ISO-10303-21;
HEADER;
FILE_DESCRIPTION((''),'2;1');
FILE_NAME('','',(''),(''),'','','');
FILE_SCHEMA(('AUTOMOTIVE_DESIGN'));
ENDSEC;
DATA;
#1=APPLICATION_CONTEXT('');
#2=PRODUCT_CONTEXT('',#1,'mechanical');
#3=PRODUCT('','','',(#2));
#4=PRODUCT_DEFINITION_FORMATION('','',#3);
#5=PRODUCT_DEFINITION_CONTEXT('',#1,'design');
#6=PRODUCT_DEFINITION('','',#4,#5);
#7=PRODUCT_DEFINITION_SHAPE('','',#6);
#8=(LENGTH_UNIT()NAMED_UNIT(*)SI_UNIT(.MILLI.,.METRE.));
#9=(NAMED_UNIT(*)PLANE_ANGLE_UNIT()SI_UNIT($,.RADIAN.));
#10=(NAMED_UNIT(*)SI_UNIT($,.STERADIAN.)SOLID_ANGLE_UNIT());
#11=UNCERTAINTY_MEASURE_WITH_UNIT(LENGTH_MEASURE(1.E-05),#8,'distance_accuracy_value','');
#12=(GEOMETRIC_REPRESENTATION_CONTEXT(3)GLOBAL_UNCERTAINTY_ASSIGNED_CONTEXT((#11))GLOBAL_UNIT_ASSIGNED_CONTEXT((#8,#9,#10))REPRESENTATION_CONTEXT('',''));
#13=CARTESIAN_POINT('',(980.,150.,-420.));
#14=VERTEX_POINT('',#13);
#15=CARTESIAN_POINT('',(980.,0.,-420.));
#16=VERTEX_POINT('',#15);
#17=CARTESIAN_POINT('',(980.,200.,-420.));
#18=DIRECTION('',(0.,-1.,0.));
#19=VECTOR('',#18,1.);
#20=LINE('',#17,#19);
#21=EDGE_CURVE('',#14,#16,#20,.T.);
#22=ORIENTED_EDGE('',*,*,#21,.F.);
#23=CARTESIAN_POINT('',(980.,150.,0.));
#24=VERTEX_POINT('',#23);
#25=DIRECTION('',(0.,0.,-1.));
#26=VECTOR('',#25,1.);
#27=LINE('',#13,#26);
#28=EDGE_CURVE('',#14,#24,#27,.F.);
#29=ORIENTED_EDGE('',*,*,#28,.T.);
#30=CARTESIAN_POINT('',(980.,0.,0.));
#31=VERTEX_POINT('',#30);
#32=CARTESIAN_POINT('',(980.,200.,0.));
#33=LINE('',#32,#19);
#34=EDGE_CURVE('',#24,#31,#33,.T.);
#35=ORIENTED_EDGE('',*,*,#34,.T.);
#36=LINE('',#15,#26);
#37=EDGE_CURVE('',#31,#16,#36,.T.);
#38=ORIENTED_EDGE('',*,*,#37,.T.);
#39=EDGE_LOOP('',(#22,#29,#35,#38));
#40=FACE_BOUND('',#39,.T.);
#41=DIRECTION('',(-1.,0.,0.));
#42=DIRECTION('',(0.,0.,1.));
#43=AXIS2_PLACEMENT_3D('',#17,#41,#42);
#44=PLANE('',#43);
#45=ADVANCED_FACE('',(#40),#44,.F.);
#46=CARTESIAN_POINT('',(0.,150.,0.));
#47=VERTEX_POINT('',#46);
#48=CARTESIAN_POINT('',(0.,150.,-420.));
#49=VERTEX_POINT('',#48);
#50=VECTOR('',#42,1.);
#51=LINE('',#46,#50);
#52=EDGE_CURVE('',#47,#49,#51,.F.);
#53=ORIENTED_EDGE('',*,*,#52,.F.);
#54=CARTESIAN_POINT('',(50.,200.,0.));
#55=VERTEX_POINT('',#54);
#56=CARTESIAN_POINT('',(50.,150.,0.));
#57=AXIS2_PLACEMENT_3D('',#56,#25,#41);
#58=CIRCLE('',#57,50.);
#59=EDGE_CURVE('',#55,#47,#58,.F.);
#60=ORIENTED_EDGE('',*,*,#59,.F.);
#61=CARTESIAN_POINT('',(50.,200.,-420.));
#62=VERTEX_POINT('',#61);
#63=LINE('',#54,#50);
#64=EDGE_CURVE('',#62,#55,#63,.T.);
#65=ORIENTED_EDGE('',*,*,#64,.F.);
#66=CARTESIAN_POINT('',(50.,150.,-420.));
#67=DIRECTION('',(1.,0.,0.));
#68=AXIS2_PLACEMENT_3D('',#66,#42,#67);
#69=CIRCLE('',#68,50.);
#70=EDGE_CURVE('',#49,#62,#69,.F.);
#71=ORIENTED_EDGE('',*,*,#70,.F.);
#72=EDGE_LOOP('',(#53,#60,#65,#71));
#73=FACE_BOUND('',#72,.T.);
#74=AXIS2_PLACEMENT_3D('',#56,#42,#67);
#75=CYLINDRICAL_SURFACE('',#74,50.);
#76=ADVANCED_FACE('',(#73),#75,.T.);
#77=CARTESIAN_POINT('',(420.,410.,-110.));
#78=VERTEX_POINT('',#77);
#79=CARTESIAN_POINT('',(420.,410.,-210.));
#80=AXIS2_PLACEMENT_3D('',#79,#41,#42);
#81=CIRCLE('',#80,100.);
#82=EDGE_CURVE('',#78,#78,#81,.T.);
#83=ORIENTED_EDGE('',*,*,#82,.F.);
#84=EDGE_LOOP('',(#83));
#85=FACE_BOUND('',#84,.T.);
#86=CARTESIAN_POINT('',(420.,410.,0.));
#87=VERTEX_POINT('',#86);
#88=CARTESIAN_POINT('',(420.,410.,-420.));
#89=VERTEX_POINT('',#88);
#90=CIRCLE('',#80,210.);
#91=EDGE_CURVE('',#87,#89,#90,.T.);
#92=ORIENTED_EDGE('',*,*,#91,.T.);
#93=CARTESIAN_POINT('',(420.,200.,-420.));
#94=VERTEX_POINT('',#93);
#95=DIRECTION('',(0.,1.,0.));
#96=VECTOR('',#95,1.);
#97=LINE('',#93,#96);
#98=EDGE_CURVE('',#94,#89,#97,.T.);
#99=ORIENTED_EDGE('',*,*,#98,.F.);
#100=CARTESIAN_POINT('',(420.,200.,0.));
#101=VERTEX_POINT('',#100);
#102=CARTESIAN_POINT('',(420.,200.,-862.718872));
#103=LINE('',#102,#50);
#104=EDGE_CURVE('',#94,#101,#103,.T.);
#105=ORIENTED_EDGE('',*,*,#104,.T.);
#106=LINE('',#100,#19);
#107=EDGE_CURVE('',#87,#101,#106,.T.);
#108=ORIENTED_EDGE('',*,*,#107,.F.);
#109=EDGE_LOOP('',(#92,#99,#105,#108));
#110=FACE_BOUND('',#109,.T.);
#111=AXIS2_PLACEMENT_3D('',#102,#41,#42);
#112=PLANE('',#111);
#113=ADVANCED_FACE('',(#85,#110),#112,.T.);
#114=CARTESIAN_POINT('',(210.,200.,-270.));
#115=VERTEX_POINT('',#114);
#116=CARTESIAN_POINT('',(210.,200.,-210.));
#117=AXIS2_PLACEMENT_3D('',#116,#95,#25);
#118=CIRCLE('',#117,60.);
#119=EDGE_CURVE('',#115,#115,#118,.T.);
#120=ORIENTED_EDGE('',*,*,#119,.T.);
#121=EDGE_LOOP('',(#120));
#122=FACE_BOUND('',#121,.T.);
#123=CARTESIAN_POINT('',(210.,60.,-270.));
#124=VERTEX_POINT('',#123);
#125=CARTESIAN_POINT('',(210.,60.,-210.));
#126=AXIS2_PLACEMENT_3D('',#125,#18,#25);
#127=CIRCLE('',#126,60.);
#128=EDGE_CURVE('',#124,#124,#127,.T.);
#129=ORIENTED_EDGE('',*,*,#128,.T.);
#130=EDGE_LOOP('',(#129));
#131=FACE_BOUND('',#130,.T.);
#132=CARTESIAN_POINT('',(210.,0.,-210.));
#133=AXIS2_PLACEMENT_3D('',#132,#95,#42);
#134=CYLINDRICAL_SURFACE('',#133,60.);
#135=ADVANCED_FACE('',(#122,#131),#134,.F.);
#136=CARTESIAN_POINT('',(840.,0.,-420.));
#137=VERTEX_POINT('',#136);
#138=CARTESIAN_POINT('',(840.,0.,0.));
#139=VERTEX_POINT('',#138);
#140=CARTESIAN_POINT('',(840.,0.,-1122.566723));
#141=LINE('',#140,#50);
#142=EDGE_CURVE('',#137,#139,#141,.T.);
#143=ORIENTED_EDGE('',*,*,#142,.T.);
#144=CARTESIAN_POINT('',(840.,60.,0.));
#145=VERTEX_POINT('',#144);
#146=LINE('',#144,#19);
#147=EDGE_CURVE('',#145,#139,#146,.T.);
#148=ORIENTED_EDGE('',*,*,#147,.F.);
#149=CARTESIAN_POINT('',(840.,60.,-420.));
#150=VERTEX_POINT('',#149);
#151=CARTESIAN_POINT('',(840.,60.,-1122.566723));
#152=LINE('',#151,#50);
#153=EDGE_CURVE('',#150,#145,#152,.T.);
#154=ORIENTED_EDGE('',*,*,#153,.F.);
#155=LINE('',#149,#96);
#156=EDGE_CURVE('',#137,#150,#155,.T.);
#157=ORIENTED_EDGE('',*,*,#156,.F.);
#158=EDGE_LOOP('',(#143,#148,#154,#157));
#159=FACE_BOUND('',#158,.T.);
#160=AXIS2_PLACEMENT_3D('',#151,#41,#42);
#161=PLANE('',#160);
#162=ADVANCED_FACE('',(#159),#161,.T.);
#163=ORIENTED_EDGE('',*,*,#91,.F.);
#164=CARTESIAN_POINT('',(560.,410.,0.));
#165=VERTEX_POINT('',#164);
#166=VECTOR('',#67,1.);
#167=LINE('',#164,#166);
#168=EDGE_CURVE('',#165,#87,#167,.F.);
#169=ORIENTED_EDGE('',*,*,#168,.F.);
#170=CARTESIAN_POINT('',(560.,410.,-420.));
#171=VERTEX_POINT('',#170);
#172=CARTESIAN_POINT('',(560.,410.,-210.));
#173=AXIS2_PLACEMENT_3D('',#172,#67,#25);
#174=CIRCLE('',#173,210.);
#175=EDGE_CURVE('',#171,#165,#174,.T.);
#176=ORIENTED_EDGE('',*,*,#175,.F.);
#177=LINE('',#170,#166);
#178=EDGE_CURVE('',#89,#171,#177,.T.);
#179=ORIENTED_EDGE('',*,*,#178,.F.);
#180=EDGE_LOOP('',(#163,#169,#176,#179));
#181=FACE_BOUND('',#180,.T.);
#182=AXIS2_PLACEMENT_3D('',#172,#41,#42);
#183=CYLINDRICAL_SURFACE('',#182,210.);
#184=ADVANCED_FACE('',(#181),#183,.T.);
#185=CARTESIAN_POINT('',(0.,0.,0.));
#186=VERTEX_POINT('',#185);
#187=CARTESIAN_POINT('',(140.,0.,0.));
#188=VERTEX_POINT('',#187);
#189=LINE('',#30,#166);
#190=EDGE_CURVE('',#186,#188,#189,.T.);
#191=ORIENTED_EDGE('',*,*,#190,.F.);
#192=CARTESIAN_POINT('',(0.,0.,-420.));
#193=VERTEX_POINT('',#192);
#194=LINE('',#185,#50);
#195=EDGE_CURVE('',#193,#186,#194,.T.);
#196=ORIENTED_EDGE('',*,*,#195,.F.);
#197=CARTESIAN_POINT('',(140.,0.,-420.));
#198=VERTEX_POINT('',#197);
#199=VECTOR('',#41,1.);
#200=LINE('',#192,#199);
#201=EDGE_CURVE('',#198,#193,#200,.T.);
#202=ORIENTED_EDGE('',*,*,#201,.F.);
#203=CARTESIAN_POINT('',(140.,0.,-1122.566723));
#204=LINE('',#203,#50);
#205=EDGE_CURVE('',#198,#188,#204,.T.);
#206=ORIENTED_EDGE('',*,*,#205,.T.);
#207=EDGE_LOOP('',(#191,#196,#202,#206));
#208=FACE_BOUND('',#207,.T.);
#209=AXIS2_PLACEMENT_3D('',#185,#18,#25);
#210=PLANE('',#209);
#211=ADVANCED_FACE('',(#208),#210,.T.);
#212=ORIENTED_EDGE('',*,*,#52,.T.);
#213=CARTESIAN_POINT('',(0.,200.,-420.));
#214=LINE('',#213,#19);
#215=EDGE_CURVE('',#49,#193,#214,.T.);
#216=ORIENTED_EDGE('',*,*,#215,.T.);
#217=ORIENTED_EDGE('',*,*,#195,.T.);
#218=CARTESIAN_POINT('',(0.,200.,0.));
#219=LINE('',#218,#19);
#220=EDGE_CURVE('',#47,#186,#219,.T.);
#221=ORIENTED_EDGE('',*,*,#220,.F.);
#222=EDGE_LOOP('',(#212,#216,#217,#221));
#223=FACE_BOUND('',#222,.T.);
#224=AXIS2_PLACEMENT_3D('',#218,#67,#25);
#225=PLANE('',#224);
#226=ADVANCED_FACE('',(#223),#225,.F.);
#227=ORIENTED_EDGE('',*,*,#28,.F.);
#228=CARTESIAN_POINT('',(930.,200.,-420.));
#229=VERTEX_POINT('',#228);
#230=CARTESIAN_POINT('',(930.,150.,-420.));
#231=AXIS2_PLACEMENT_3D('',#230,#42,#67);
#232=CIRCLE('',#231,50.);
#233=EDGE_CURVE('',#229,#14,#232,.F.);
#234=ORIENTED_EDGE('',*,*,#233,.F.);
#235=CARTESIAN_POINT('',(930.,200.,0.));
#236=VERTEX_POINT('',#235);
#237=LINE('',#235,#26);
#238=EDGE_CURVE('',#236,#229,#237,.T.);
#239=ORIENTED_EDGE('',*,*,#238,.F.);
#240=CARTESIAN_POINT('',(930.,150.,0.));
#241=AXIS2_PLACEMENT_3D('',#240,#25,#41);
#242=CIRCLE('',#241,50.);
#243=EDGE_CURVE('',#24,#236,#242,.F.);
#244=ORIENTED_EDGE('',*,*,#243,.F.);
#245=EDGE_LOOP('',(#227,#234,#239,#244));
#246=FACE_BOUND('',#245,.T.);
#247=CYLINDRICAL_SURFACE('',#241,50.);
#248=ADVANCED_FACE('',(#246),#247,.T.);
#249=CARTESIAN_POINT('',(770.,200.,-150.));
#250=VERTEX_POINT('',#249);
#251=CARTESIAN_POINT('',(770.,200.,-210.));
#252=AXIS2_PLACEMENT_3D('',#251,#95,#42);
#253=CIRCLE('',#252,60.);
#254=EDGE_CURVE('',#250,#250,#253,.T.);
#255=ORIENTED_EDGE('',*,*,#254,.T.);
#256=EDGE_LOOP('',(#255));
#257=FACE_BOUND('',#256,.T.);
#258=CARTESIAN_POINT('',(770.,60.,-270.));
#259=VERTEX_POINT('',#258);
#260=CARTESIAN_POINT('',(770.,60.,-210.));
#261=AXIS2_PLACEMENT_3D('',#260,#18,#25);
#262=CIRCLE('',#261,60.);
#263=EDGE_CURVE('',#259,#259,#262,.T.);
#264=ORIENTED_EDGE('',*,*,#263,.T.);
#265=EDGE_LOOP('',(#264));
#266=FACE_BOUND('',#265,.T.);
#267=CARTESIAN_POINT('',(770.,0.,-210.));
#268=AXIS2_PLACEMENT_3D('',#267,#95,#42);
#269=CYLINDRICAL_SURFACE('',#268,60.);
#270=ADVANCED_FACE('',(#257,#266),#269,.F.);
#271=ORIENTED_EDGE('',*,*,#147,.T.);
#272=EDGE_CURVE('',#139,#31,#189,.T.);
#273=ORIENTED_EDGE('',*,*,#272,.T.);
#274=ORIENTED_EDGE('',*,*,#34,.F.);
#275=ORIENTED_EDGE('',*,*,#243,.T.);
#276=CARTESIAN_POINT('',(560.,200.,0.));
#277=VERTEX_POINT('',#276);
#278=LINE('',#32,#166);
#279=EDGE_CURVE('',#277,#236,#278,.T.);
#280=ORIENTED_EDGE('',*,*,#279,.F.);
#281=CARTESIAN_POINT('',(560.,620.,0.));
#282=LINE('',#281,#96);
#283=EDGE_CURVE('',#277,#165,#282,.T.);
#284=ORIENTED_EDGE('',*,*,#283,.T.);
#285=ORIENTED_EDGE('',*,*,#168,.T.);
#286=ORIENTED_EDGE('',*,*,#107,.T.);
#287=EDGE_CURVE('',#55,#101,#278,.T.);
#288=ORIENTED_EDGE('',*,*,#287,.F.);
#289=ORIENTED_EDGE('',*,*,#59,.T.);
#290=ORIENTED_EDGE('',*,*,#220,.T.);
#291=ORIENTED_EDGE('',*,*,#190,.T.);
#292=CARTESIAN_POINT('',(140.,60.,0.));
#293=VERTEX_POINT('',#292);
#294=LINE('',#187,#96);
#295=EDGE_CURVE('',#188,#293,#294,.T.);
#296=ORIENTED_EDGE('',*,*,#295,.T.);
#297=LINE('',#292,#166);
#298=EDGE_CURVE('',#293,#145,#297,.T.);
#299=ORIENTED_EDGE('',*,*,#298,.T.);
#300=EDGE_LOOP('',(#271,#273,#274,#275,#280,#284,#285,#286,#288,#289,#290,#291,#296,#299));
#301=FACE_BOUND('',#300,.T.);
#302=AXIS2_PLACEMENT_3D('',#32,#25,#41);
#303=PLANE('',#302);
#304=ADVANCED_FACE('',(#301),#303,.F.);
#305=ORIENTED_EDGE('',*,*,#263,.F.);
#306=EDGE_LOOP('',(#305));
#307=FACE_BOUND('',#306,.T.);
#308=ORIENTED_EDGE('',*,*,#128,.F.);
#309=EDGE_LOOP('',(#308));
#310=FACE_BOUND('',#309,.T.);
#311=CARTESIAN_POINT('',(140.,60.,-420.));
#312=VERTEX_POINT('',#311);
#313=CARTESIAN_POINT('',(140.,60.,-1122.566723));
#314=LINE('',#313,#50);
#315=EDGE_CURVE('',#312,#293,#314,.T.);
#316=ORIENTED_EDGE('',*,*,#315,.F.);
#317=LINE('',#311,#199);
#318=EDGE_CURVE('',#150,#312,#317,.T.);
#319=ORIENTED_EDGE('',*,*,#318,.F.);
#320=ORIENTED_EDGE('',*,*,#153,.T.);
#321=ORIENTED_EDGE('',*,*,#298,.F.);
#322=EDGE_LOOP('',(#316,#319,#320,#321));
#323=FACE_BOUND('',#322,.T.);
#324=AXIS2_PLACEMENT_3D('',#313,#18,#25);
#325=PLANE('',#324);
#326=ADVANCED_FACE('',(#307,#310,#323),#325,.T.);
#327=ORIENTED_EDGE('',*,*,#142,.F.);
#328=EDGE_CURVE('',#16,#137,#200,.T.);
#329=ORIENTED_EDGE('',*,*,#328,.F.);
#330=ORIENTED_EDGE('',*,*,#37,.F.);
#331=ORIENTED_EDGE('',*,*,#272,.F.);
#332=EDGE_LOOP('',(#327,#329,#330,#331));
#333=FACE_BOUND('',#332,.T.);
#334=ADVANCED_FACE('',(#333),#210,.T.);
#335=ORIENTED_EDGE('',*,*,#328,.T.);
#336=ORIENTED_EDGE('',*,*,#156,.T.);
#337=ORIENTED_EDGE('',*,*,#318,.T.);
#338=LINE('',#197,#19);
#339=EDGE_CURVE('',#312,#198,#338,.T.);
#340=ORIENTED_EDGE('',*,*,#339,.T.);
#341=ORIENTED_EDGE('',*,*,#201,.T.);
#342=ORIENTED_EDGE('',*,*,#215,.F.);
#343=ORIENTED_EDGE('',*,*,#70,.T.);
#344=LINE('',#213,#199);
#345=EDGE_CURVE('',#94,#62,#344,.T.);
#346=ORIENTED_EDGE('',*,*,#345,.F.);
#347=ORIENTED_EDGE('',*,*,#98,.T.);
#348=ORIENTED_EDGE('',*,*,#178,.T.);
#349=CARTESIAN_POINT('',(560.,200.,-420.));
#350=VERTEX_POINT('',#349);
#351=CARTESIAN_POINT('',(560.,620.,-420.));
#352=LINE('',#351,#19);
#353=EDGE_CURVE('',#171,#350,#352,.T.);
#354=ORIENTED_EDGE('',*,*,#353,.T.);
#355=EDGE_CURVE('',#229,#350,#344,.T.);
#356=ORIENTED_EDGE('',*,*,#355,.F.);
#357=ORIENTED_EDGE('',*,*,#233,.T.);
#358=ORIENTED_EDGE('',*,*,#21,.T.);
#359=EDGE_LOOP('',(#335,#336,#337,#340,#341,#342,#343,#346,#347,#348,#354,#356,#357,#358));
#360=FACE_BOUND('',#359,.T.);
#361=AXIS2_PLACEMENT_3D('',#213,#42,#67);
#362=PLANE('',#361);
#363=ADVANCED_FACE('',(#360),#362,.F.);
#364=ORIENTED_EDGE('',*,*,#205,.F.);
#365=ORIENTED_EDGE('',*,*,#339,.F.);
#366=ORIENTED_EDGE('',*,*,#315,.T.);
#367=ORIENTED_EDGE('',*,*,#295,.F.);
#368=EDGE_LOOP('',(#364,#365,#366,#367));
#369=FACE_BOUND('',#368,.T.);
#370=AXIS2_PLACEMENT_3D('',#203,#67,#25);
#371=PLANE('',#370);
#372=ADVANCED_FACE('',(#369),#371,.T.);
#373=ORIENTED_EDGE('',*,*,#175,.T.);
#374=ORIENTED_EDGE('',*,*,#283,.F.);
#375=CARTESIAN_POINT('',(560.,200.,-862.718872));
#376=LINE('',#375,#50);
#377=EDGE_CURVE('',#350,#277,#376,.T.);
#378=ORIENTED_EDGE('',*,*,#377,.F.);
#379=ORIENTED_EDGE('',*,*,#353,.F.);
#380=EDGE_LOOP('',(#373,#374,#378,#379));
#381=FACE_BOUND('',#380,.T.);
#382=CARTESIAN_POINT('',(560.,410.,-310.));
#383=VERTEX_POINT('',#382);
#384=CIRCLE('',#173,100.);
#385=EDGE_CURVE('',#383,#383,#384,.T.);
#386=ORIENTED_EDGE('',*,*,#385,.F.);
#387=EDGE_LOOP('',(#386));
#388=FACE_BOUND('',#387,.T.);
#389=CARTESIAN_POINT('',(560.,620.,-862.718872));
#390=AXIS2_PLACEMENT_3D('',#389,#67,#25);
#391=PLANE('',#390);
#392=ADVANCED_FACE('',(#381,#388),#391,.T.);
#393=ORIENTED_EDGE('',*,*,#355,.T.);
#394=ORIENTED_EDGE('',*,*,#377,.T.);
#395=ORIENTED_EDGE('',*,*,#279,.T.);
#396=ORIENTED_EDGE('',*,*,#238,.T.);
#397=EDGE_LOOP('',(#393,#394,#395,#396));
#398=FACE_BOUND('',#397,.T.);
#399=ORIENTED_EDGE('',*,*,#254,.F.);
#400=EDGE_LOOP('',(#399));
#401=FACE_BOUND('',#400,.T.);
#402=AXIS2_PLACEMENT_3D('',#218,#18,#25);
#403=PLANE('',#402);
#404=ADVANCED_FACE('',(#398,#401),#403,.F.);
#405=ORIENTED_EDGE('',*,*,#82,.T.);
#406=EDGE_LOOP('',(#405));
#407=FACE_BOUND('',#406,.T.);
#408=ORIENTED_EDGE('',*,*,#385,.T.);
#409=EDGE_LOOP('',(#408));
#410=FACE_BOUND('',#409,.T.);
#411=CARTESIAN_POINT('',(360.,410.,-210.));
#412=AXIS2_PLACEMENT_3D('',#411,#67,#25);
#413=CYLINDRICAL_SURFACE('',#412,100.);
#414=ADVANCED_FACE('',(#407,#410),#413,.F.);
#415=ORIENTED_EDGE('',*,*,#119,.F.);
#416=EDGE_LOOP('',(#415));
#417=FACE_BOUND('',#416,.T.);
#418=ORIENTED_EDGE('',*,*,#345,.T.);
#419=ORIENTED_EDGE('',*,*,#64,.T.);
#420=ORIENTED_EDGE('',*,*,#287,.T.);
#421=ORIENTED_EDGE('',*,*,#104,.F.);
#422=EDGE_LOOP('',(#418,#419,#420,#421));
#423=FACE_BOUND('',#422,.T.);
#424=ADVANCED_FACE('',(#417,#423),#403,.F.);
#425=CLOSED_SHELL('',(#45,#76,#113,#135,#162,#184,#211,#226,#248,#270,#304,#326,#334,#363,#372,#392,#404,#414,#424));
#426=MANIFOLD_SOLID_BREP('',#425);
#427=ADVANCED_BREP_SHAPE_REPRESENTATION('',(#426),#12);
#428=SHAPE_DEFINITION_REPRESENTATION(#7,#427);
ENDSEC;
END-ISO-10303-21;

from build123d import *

# Parameters (mm, degrees)
SKETCH1_W           = 980
SKETCH1_H           = 420
BOSS_EXTRUDE1_DEPTH = 200
SKETCH2_W           = 700
SKETCH2_H           = 60
CUT_EXTRUDE1_DEPTH  = 420
SKETCH3_W           = 140
SKETCH3_H           = 420
BOSS_EXTRUDE2_DEPTH = 420
SKETCH4_R           = 100
CUT_EXTRUDE2_DEPTH  = 200
SKETCH5_R           = 60
CUT_EXTRUDE3_DEPTH  = 200
FILLET1_RADIUS      = 210
FILLET1_LENGTH      = 140
FILLET2_R           = 50
FILLET3_R           = 50


with BuildPart() as part:
    # Sketch1 → Boss-Extrude1 (new body)
    with BuildSketch(Plane(origin=(0, 0, 0), x_dir=(1, 0, 0), z_dir=(0, 1, 0))):
        with Locations((490, 210)):
            Rectangle(SKETCH1_W, SKETCH1_H)
    extrude(amount=BOSS_EXTRUDE1_DEPTH)

    # Sketch2 → Cut-Extrude1 (cut)
    with BuildSketch(Plane.XY):
        with Locations((490, 30)):
            Rectangle(SKETCH2_W, SKETCH2_H)
    extrude(amount=-CUT_EXTRUDE1_DEPTH, mode=Mode.SUBTRACT)

    # Sketch3 → Boss-Extrude2 (add)
    with BuildSketch(Plane.XY):
        with Locations((490, 410)):
            Rectangle(SKETCH3_W, SKETCH3_H)
    extrude(amount=-BOSS_EXTRUDE2_DEPTH)

    # Sketch4 → Cut-Extrude2 (cut)
    with BuildSketch(Plane(origin=(560, 0, 0), x_dir=(0, 0, -1), z_dir=(1, 0, 0))):
        with Locations((210, 410)):
            Circle(SKETCH4_R)
    extrude(amount=-CUT_EXTRUDE2_DEPTH, mode=Mode.SUBTRACT)

    # Sketch5 → Cut-Extrude3 (cut)
    with BuildSketch(Plane(origin=(0, 200, 0), x_dir=(1, 0, 0), z_dir=(0, 1, 0))):
        with Locations(Location((770, 210, 0), (0, 0, 270))):
            Circle(SKETCH5_R)
        with Locations(Location((210, 210, 0), (0, 0, 90))):
            Circle(SKETCH5_R)
    extrude(amount=-CUT_EXTRUDE3_DEPTH, mode=Mode.SUBTRACT)

    # Fillet1: full round fillet: the end face becomes a half cylinder, R = half its width
    fillet1_face = Plane((490, 620, -210), x_dir=(1, 0, 0), z_dir=(0, 1, 0))  # on the end face: x along it, z out of the body
    fillet1_slab = fillet1_face.offset(-FILLET1_RADIUS / 2) * Box(FILLET1_LENGTH, 2 * FILLET1_RADIUS, FILLET1_RADIUS, mode=Mode.PRIVATE)  # the body's end, R deep
    fillet1_round = Plane((490, 410, -210), x_dir=(0, 1, 0), z_dir=(1, 0, 0)) * Cylinder(FILLET1_RADIUS, FILLET1_LENGTH, mode=Mode.PRIVATE)  # its axis R under the face
    add(fillet1_slab - fillet1_round, mode=Mode.SUBTRACT)

    # Fillet2
    fillet2_edges = [part.edges().sort_by_distance(p)[0] for p in [
        (980, 200, -210),
    ]]
    fillet(fillet2_edges, radius=FILLET2_R)

    # Fillet3
    fillet3_edges = [part.edges().sort_by_distance(p)[0] for p in [
        (0, 200, -210),
    ]]
    fillet(fillet3_edges, radius=FILLET3_R)


solid = part.part
